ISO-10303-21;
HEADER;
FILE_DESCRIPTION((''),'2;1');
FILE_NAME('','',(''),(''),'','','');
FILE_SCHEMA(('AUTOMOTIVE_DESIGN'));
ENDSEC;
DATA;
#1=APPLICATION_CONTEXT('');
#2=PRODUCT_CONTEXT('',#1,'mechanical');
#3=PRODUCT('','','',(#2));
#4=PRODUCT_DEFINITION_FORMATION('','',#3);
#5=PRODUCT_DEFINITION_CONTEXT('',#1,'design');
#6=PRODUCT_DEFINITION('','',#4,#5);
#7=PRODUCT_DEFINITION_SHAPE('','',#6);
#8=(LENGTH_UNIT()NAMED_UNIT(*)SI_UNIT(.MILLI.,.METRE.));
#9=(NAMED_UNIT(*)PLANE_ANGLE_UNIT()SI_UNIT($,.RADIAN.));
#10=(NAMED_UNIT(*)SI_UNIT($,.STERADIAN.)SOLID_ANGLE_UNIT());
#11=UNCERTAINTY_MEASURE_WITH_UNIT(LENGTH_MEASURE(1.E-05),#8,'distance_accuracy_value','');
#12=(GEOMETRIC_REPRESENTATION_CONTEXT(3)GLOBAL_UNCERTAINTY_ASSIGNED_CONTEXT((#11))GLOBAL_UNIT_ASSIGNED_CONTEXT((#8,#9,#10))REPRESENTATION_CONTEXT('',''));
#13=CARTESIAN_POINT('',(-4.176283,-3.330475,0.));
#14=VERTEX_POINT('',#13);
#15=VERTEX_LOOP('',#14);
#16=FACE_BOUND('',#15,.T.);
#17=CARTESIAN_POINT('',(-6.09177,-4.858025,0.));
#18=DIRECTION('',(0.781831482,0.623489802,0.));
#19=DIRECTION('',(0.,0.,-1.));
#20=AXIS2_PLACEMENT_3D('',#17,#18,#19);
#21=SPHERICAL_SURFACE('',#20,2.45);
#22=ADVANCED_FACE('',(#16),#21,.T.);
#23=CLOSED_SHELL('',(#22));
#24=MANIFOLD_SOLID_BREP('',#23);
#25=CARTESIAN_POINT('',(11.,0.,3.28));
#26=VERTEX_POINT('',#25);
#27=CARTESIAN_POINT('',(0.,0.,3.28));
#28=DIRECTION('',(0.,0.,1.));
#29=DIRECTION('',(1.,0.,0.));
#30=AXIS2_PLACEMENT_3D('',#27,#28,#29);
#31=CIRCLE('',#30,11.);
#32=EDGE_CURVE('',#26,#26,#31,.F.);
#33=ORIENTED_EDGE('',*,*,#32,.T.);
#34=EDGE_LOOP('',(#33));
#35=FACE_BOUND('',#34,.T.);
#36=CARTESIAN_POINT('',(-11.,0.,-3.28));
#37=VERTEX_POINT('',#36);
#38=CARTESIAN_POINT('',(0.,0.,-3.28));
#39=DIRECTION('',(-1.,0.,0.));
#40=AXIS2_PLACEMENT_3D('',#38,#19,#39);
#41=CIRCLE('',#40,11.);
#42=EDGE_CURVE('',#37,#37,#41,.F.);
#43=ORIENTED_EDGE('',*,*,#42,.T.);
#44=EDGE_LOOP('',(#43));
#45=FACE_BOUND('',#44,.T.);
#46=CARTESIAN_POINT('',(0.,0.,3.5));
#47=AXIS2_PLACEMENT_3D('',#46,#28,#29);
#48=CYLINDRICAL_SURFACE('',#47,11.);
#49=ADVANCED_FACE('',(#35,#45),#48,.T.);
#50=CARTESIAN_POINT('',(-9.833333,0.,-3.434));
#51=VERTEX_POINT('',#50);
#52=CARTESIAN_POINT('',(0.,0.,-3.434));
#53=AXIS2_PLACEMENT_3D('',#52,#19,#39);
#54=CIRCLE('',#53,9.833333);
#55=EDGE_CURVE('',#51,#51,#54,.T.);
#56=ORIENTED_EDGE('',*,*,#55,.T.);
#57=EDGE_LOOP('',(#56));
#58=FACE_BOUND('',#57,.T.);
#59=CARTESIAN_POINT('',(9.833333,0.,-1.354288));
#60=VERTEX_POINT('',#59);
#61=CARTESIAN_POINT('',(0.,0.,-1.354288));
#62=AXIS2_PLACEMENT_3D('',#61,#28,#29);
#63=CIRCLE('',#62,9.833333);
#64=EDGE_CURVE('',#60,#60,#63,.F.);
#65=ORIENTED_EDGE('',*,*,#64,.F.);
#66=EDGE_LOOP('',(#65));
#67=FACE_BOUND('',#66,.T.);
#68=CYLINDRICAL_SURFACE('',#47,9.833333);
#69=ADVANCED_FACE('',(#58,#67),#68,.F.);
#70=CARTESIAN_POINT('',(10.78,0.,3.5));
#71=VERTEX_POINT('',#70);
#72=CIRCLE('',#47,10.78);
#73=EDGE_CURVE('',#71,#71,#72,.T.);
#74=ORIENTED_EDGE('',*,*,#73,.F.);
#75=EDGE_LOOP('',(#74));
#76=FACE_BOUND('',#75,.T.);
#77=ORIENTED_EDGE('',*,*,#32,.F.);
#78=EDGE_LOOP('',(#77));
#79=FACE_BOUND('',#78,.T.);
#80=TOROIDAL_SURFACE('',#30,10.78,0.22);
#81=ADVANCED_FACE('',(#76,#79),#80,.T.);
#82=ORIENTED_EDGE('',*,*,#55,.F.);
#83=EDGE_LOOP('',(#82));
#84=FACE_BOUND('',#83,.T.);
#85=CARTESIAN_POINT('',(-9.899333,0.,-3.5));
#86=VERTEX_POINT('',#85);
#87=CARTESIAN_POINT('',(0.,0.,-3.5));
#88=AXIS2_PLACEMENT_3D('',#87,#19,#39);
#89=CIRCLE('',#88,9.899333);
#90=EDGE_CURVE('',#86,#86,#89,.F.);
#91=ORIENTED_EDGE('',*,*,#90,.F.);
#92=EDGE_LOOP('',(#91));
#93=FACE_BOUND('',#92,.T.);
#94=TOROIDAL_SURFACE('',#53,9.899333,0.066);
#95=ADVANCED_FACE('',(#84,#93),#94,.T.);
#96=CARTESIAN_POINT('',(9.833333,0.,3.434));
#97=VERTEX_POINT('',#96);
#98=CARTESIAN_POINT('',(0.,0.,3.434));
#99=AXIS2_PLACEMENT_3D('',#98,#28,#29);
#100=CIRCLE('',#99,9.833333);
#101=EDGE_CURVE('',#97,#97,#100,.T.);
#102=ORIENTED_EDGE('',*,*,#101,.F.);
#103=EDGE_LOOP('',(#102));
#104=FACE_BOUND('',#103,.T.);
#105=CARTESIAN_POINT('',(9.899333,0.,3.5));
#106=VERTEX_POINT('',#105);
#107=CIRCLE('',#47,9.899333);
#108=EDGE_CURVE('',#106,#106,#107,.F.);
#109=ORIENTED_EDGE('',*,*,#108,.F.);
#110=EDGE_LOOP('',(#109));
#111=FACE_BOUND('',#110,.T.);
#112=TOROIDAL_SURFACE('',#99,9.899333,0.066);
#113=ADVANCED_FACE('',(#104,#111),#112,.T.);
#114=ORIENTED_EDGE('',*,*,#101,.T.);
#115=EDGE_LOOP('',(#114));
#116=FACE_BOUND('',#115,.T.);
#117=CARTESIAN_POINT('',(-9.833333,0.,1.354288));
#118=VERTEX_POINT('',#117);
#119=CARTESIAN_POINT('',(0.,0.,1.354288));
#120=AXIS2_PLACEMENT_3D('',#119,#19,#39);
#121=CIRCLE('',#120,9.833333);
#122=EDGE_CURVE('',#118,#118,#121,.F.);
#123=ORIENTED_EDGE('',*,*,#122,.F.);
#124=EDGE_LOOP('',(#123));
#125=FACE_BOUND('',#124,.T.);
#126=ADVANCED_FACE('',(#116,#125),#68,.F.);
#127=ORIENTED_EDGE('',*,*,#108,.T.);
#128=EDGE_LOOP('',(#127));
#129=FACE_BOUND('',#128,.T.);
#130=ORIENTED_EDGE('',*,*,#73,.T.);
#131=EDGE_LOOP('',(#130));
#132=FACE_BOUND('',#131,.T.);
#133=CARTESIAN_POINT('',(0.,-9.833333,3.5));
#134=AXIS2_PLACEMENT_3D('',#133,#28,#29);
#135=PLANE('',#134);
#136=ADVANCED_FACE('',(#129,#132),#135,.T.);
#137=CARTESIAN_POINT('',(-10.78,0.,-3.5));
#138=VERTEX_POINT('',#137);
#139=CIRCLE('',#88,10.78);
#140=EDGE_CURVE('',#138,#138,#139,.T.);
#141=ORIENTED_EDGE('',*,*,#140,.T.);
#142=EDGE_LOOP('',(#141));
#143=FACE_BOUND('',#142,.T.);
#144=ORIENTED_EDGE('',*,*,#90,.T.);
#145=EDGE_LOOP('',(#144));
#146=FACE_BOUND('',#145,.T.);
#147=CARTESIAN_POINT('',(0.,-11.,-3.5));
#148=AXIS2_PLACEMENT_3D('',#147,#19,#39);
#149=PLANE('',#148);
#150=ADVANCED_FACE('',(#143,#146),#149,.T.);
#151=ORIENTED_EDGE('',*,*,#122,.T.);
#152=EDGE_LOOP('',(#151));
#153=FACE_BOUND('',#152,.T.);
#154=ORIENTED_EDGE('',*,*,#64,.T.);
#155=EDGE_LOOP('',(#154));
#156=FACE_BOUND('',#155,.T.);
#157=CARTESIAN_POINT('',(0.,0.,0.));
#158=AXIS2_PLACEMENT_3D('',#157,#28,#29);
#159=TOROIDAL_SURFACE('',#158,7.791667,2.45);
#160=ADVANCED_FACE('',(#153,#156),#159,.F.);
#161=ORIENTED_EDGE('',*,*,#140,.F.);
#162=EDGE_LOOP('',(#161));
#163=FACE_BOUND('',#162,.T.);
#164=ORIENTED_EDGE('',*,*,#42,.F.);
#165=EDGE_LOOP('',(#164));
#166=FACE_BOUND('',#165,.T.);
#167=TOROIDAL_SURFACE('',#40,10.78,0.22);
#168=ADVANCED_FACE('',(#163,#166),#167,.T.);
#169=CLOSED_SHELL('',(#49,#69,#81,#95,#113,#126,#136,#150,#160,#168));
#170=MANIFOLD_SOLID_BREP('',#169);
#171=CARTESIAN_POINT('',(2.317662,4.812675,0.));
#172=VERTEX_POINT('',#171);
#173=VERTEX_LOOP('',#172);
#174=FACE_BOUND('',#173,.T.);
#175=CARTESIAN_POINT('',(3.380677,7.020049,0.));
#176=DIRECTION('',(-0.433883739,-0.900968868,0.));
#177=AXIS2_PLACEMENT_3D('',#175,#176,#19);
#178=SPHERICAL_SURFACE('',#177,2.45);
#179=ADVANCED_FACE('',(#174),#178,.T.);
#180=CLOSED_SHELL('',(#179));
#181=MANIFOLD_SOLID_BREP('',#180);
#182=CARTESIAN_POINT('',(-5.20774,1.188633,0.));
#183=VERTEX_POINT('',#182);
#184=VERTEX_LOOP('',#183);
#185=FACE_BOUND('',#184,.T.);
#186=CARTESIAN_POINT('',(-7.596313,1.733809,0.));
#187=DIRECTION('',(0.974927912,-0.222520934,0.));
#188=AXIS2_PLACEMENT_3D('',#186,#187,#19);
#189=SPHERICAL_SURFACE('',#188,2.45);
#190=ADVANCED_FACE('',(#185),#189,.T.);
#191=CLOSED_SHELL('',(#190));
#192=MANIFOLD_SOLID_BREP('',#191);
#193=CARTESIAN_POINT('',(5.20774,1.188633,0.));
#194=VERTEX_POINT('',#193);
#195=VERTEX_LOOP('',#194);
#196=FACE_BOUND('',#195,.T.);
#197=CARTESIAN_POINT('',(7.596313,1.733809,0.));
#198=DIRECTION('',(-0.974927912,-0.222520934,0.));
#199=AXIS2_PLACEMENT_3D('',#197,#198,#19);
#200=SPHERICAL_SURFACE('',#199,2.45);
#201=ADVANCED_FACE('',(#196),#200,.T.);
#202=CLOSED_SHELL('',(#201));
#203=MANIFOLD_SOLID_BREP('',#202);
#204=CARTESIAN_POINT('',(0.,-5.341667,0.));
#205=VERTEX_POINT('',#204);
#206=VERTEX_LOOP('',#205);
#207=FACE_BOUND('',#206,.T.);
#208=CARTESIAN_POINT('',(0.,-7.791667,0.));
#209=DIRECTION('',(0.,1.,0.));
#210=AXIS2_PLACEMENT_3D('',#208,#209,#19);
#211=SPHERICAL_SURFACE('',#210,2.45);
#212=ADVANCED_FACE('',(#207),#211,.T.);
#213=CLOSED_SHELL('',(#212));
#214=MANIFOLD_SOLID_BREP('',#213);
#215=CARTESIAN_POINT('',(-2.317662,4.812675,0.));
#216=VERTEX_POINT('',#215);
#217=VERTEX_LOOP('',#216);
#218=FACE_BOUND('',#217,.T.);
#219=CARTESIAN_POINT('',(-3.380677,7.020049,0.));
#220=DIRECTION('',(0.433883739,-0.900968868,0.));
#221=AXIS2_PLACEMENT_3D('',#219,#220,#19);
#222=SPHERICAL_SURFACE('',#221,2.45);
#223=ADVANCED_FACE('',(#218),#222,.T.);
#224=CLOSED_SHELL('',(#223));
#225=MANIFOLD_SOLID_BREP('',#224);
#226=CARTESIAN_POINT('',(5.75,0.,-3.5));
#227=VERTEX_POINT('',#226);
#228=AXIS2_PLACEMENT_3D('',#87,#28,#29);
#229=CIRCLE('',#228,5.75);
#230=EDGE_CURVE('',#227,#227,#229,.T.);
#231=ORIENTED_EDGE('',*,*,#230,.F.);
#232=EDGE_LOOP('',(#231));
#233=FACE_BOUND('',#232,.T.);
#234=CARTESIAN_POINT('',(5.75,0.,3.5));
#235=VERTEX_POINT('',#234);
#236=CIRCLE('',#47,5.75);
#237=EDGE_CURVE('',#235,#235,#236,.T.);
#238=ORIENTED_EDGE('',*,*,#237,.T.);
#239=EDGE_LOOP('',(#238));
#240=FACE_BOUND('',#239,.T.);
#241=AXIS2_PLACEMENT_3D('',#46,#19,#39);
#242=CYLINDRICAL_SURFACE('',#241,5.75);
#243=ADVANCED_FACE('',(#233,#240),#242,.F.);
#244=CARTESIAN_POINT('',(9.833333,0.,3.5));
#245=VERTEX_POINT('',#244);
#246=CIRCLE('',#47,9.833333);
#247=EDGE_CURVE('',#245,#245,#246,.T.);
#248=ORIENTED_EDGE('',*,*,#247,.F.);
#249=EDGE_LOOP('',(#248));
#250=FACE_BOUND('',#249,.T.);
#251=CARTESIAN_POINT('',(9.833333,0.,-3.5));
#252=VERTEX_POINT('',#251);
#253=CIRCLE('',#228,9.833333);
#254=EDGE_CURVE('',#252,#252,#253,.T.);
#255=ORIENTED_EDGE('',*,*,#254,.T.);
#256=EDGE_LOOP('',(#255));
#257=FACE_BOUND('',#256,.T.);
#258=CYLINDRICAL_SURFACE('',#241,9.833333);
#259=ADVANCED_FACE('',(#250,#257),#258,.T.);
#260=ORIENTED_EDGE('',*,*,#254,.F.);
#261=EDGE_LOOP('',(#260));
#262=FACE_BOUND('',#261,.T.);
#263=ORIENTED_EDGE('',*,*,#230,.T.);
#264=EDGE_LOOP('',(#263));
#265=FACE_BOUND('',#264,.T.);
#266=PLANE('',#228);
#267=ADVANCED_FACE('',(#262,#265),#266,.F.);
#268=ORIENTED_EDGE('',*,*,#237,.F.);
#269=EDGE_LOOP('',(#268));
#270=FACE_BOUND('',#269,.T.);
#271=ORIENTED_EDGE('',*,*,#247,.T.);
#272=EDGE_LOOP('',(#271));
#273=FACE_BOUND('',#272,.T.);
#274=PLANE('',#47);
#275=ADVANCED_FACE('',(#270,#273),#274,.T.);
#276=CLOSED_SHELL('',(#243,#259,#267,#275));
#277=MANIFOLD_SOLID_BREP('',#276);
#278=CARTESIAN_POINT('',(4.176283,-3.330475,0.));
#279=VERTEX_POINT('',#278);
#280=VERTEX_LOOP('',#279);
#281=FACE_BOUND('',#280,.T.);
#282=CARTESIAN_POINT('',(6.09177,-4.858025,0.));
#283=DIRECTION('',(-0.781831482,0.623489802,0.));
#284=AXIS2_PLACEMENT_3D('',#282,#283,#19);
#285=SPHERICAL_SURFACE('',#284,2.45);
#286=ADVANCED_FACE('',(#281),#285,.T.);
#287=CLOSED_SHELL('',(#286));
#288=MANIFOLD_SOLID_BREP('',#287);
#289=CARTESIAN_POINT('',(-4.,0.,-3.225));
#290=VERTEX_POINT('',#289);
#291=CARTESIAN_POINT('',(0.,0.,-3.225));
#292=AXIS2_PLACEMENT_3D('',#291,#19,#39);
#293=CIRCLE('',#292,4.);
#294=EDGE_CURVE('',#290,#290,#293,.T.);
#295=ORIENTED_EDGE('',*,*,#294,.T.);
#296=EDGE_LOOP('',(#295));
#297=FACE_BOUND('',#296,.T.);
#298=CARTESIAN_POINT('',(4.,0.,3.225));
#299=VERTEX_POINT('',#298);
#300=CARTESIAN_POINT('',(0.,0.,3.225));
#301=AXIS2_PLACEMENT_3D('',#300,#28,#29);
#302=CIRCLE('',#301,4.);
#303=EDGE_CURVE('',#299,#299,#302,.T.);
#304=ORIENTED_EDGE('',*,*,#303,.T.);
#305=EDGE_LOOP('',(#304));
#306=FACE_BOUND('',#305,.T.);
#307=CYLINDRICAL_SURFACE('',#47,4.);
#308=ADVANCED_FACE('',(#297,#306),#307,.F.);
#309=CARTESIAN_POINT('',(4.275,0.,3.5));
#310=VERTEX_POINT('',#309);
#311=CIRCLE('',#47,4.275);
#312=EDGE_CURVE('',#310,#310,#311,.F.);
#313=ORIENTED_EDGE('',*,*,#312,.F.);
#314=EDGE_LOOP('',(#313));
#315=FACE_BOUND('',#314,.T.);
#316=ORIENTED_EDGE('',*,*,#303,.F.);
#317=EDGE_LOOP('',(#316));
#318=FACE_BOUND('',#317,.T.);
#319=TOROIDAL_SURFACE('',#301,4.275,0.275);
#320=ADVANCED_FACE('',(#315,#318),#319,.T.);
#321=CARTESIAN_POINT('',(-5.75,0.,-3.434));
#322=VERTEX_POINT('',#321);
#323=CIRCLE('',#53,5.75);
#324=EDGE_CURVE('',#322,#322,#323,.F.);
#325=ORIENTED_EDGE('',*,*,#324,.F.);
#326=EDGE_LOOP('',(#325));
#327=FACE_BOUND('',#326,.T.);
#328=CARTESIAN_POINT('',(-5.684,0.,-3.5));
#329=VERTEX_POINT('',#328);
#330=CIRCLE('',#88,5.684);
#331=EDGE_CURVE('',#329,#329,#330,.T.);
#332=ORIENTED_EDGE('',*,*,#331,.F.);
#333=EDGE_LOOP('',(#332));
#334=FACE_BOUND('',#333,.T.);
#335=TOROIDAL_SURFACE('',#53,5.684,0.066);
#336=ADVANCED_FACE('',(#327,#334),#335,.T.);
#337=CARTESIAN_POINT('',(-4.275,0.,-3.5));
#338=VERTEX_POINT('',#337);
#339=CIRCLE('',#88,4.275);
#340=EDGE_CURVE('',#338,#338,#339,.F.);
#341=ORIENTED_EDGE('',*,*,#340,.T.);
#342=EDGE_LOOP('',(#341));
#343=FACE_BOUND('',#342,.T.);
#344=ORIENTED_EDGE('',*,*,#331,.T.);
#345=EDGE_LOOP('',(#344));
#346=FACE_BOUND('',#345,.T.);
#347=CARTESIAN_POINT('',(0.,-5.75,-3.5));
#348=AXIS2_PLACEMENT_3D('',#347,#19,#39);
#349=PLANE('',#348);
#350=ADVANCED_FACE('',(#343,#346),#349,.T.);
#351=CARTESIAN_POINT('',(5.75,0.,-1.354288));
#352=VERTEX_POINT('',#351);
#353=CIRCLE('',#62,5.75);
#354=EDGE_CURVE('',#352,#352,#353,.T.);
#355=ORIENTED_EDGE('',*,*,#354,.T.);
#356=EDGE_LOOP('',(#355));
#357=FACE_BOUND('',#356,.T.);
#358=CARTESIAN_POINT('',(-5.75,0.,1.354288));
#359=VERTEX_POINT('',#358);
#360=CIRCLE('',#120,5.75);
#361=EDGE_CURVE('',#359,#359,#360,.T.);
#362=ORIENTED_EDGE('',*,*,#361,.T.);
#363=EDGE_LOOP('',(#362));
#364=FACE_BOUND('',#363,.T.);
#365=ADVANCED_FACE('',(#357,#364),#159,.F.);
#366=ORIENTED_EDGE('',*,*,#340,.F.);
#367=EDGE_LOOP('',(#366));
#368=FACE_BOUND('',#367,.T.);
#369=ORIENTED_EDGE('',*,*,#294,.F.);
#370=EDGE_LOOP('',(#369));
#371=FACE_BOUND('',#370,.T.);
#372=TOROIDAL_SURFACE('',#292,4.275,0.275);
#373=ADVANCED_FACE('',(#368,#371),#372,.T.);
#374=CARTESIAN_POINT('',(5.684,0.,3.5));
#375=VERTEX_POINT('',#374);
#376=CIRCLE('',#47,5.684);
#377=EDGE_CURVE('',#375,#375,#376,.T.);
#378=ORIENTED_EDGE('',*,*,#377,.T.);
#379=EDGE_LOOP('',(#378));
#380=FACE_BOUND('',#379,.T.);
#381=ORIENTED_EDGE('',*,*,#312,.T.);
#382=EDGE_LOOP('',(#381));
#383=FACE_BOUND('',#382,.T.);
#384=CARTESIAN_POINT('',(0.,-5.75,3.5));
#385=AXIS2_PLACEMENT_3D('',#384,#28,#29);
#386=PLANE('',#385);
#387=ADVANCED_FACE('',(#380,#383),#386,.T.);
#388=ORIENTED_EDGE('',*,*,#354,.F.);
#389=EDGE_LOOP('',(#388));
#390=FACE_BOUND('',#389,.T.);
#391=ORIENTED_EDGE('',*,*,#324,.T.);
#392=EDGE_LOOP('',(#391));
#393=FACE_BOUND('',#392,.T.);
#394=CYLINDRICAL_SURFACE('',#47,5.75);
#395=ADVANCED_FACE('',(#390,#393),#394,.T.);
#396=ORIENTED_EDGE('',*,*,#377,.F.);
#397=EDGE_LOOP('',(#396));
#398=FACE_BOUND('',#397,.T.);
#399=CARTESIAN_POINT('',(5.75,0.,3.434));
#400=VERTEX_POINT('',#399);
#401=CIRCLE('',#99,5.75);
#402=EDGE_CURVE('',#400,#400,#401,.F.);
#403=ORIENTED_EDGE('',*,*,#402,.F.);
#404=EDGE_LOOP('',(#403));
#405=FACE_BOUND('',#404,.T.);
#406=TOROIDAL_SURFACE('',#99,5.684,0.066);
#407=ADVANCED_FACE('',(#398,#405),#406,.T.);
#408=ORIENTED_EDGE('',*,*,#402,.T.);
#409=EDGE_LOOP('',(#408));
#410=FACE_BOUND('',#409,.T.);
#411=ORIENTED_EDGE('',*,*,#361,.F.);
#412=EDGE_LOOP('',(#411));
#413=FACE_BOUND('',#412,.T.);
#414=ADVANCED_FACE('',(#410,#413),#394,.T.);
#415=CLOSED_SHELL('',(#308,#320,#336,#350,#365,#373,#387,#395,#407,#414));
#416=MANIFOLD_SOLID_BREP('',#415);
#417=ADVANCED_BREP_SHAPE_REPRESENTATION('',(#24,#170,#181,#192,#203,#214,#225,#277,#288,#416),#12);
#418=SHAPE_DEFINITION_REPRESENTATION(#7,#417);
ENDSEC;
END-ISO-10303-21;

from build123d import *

# Parameters (mm, degrees)
SKETCH3_W           = 7
SKETCH3_H           = 1.166666667
SKETCH3_H_2         = 1.75
SKETCH4_R           = 2.45
CIRPATTERN1_COUNT   = 7
FILLET1_R           = 0.22
FILLET2_R           = 0.275
FILLET3_R           = 0.066
FILLET4_R           = 0.066
SKETCH6_R           = 9.833333333
SKETCH6_R_2         = 5.75
BOSS_EXTRUDE2_DEPTH = 3.5


with BuildPart() as part:
    # Sketch3 → Revolve1 (revolve)
    with BuildSketch(Plane(origin=(0, 0, 0), x_dir=(0, 0, -1), z_dir=(1, 0, 0))):
        with Locations((0, -10.416666666)):
            Rectangle(SKETCH3_W, SKETCH3_H)
        with Locations((0, -4.875)):
            Rectangle(SKETCH3_W, SKETCH3_H_2)
    revolve(axis=Axis((0, 0, 3.5), (0, 0, -1)))

    # Sketch4 → Cut-Revolve1 (revolve, cut)
    with BuildSketch(Plane(origin=(0, 0, 0), x_dir=(0, 0, -1), z_dir=(1, 0, 0))):
        with Locations((0, -7.791666667)):
            Circle(SKETCH4_R)
    revolve(axis=Axis((0, 0, 3.5), (0, 0, -1)), mode=Mode.SUBTRACT)

    # Fillet1
    fillet1_edges = [part.edges().sort_by_distance(p)[0] for p in [
        (0, 11, -3.5),
        (0, 11, 3.5),
    ]]
    fillet(fillet1_edges, radius=FILLET1_R)

    # Fillet2
    fillet2_edges = [part.edges().sort_by_distance(p)[0] for p in [
        (0, 4, -3.5),
        (0, 4, 3.5),
    ]]
    fillet(fillet2_edges, radius=FILLET2_R)

    # Fillet3
    fillet3_edges = [part.edges().sort_by_distance(p)[0] for p in [
        (0, 9.833333333, 3.5),
        (0, 9.833333333, -3.5),
    ]]
    fillet(fillet3_edges, radius=FILLET3_R)

    # Fillet4
    fillet4_edges = [part.edges().sort_by_distance(p)[0] for p in [
        (0, 5.75, 3.5),
        (0, 5.75, -3.5),
    ]]
    fillet(fillet4_edges, radius=FILLET4_R)


with BuildPart() as body_2:
    # Sketch5 → Revolve2 (revolve)
    with BuildSketch(Plane(origin=(0, 0, 0), x_dir=(0, 0, -1), z_dir=(1, 0, 0))):
        with BuildLine():
            Line((0, -5.341666667), (0, -10.241666667))
            ThreePointArc((0, -10.241666667), (2.45, -7.791666667), (0, -5.341666667))
        make_face()
    revolve(axis=Axis((0, -5.341666667, 0), (0, -1, 0)))


with BuildPart() as cirpattern1_1:
    # CirPattern1: pattern copy
    add(body_2.part.rotate(Axis((0, 0, 0), (0, 0, 1)), 1 * 360 / CIRPATTERN1_COUNT))


with BuildPart() as cirpattern1_2:
    # CirPattern1: pattern copy
    add(body_2.part.rotate(Axis((0, 0, 0), (0, 0, 1)), 2 * 360 / CIRPATTERN1_COUNT))


with BuildPart() as cirpattern1_3:
    # CirPattern1: pattern copy
    add(body_2.part.rotate(Axis((0, 0, 0), (0, 0, 1)), 3 * 360 / CIRPATTERN1_COUNT))


with BuildPart() as cirpattern1_4:
    # CirPattern1: pattern copy
    add(body_2.part.rotate(Axis((0, 0, 0), (0, 0, 1)), 4 * 360 / CIRPATTERN1_COUNT))


with BuildPart() as cirpattern1_5:
    # CirPattern1: pattern copy
    add(body_2.part.rotate(Axis((0, 0, 0), (0, 0, 1)), 5 * 360 / CIRPATTERN1_COUNT))


with BuildPart() as cirpattern1_6:
    # CirPattern1: pattern copy
    add(body_2.part.rotate(Axis((0, 0, 0), (0, 0, 1)), 6 * 360 / CIRPATTERN1_COUNT))


with BuildPart() as body_9:
    # Sketch6 → Boss-Extrude2 (new body, symmetric)
    with BuildSketch(Plane.XY):
        Circle(SKETCH6_R)
        Circle(SKETCH6_R_2, mode=Mode.SUBTRACT)
    extrude(amount=BOSS_EXTRUDE2_DEPTH, both=True)


solid = Compound([part.part, body_2.part, cirpattern1_1.part, cirpattern1_2.part, cirpattern1_3.part, cirpattern1_4.part, cirpattern1_5.part, cirpattern1_6.part, body_9.part])
